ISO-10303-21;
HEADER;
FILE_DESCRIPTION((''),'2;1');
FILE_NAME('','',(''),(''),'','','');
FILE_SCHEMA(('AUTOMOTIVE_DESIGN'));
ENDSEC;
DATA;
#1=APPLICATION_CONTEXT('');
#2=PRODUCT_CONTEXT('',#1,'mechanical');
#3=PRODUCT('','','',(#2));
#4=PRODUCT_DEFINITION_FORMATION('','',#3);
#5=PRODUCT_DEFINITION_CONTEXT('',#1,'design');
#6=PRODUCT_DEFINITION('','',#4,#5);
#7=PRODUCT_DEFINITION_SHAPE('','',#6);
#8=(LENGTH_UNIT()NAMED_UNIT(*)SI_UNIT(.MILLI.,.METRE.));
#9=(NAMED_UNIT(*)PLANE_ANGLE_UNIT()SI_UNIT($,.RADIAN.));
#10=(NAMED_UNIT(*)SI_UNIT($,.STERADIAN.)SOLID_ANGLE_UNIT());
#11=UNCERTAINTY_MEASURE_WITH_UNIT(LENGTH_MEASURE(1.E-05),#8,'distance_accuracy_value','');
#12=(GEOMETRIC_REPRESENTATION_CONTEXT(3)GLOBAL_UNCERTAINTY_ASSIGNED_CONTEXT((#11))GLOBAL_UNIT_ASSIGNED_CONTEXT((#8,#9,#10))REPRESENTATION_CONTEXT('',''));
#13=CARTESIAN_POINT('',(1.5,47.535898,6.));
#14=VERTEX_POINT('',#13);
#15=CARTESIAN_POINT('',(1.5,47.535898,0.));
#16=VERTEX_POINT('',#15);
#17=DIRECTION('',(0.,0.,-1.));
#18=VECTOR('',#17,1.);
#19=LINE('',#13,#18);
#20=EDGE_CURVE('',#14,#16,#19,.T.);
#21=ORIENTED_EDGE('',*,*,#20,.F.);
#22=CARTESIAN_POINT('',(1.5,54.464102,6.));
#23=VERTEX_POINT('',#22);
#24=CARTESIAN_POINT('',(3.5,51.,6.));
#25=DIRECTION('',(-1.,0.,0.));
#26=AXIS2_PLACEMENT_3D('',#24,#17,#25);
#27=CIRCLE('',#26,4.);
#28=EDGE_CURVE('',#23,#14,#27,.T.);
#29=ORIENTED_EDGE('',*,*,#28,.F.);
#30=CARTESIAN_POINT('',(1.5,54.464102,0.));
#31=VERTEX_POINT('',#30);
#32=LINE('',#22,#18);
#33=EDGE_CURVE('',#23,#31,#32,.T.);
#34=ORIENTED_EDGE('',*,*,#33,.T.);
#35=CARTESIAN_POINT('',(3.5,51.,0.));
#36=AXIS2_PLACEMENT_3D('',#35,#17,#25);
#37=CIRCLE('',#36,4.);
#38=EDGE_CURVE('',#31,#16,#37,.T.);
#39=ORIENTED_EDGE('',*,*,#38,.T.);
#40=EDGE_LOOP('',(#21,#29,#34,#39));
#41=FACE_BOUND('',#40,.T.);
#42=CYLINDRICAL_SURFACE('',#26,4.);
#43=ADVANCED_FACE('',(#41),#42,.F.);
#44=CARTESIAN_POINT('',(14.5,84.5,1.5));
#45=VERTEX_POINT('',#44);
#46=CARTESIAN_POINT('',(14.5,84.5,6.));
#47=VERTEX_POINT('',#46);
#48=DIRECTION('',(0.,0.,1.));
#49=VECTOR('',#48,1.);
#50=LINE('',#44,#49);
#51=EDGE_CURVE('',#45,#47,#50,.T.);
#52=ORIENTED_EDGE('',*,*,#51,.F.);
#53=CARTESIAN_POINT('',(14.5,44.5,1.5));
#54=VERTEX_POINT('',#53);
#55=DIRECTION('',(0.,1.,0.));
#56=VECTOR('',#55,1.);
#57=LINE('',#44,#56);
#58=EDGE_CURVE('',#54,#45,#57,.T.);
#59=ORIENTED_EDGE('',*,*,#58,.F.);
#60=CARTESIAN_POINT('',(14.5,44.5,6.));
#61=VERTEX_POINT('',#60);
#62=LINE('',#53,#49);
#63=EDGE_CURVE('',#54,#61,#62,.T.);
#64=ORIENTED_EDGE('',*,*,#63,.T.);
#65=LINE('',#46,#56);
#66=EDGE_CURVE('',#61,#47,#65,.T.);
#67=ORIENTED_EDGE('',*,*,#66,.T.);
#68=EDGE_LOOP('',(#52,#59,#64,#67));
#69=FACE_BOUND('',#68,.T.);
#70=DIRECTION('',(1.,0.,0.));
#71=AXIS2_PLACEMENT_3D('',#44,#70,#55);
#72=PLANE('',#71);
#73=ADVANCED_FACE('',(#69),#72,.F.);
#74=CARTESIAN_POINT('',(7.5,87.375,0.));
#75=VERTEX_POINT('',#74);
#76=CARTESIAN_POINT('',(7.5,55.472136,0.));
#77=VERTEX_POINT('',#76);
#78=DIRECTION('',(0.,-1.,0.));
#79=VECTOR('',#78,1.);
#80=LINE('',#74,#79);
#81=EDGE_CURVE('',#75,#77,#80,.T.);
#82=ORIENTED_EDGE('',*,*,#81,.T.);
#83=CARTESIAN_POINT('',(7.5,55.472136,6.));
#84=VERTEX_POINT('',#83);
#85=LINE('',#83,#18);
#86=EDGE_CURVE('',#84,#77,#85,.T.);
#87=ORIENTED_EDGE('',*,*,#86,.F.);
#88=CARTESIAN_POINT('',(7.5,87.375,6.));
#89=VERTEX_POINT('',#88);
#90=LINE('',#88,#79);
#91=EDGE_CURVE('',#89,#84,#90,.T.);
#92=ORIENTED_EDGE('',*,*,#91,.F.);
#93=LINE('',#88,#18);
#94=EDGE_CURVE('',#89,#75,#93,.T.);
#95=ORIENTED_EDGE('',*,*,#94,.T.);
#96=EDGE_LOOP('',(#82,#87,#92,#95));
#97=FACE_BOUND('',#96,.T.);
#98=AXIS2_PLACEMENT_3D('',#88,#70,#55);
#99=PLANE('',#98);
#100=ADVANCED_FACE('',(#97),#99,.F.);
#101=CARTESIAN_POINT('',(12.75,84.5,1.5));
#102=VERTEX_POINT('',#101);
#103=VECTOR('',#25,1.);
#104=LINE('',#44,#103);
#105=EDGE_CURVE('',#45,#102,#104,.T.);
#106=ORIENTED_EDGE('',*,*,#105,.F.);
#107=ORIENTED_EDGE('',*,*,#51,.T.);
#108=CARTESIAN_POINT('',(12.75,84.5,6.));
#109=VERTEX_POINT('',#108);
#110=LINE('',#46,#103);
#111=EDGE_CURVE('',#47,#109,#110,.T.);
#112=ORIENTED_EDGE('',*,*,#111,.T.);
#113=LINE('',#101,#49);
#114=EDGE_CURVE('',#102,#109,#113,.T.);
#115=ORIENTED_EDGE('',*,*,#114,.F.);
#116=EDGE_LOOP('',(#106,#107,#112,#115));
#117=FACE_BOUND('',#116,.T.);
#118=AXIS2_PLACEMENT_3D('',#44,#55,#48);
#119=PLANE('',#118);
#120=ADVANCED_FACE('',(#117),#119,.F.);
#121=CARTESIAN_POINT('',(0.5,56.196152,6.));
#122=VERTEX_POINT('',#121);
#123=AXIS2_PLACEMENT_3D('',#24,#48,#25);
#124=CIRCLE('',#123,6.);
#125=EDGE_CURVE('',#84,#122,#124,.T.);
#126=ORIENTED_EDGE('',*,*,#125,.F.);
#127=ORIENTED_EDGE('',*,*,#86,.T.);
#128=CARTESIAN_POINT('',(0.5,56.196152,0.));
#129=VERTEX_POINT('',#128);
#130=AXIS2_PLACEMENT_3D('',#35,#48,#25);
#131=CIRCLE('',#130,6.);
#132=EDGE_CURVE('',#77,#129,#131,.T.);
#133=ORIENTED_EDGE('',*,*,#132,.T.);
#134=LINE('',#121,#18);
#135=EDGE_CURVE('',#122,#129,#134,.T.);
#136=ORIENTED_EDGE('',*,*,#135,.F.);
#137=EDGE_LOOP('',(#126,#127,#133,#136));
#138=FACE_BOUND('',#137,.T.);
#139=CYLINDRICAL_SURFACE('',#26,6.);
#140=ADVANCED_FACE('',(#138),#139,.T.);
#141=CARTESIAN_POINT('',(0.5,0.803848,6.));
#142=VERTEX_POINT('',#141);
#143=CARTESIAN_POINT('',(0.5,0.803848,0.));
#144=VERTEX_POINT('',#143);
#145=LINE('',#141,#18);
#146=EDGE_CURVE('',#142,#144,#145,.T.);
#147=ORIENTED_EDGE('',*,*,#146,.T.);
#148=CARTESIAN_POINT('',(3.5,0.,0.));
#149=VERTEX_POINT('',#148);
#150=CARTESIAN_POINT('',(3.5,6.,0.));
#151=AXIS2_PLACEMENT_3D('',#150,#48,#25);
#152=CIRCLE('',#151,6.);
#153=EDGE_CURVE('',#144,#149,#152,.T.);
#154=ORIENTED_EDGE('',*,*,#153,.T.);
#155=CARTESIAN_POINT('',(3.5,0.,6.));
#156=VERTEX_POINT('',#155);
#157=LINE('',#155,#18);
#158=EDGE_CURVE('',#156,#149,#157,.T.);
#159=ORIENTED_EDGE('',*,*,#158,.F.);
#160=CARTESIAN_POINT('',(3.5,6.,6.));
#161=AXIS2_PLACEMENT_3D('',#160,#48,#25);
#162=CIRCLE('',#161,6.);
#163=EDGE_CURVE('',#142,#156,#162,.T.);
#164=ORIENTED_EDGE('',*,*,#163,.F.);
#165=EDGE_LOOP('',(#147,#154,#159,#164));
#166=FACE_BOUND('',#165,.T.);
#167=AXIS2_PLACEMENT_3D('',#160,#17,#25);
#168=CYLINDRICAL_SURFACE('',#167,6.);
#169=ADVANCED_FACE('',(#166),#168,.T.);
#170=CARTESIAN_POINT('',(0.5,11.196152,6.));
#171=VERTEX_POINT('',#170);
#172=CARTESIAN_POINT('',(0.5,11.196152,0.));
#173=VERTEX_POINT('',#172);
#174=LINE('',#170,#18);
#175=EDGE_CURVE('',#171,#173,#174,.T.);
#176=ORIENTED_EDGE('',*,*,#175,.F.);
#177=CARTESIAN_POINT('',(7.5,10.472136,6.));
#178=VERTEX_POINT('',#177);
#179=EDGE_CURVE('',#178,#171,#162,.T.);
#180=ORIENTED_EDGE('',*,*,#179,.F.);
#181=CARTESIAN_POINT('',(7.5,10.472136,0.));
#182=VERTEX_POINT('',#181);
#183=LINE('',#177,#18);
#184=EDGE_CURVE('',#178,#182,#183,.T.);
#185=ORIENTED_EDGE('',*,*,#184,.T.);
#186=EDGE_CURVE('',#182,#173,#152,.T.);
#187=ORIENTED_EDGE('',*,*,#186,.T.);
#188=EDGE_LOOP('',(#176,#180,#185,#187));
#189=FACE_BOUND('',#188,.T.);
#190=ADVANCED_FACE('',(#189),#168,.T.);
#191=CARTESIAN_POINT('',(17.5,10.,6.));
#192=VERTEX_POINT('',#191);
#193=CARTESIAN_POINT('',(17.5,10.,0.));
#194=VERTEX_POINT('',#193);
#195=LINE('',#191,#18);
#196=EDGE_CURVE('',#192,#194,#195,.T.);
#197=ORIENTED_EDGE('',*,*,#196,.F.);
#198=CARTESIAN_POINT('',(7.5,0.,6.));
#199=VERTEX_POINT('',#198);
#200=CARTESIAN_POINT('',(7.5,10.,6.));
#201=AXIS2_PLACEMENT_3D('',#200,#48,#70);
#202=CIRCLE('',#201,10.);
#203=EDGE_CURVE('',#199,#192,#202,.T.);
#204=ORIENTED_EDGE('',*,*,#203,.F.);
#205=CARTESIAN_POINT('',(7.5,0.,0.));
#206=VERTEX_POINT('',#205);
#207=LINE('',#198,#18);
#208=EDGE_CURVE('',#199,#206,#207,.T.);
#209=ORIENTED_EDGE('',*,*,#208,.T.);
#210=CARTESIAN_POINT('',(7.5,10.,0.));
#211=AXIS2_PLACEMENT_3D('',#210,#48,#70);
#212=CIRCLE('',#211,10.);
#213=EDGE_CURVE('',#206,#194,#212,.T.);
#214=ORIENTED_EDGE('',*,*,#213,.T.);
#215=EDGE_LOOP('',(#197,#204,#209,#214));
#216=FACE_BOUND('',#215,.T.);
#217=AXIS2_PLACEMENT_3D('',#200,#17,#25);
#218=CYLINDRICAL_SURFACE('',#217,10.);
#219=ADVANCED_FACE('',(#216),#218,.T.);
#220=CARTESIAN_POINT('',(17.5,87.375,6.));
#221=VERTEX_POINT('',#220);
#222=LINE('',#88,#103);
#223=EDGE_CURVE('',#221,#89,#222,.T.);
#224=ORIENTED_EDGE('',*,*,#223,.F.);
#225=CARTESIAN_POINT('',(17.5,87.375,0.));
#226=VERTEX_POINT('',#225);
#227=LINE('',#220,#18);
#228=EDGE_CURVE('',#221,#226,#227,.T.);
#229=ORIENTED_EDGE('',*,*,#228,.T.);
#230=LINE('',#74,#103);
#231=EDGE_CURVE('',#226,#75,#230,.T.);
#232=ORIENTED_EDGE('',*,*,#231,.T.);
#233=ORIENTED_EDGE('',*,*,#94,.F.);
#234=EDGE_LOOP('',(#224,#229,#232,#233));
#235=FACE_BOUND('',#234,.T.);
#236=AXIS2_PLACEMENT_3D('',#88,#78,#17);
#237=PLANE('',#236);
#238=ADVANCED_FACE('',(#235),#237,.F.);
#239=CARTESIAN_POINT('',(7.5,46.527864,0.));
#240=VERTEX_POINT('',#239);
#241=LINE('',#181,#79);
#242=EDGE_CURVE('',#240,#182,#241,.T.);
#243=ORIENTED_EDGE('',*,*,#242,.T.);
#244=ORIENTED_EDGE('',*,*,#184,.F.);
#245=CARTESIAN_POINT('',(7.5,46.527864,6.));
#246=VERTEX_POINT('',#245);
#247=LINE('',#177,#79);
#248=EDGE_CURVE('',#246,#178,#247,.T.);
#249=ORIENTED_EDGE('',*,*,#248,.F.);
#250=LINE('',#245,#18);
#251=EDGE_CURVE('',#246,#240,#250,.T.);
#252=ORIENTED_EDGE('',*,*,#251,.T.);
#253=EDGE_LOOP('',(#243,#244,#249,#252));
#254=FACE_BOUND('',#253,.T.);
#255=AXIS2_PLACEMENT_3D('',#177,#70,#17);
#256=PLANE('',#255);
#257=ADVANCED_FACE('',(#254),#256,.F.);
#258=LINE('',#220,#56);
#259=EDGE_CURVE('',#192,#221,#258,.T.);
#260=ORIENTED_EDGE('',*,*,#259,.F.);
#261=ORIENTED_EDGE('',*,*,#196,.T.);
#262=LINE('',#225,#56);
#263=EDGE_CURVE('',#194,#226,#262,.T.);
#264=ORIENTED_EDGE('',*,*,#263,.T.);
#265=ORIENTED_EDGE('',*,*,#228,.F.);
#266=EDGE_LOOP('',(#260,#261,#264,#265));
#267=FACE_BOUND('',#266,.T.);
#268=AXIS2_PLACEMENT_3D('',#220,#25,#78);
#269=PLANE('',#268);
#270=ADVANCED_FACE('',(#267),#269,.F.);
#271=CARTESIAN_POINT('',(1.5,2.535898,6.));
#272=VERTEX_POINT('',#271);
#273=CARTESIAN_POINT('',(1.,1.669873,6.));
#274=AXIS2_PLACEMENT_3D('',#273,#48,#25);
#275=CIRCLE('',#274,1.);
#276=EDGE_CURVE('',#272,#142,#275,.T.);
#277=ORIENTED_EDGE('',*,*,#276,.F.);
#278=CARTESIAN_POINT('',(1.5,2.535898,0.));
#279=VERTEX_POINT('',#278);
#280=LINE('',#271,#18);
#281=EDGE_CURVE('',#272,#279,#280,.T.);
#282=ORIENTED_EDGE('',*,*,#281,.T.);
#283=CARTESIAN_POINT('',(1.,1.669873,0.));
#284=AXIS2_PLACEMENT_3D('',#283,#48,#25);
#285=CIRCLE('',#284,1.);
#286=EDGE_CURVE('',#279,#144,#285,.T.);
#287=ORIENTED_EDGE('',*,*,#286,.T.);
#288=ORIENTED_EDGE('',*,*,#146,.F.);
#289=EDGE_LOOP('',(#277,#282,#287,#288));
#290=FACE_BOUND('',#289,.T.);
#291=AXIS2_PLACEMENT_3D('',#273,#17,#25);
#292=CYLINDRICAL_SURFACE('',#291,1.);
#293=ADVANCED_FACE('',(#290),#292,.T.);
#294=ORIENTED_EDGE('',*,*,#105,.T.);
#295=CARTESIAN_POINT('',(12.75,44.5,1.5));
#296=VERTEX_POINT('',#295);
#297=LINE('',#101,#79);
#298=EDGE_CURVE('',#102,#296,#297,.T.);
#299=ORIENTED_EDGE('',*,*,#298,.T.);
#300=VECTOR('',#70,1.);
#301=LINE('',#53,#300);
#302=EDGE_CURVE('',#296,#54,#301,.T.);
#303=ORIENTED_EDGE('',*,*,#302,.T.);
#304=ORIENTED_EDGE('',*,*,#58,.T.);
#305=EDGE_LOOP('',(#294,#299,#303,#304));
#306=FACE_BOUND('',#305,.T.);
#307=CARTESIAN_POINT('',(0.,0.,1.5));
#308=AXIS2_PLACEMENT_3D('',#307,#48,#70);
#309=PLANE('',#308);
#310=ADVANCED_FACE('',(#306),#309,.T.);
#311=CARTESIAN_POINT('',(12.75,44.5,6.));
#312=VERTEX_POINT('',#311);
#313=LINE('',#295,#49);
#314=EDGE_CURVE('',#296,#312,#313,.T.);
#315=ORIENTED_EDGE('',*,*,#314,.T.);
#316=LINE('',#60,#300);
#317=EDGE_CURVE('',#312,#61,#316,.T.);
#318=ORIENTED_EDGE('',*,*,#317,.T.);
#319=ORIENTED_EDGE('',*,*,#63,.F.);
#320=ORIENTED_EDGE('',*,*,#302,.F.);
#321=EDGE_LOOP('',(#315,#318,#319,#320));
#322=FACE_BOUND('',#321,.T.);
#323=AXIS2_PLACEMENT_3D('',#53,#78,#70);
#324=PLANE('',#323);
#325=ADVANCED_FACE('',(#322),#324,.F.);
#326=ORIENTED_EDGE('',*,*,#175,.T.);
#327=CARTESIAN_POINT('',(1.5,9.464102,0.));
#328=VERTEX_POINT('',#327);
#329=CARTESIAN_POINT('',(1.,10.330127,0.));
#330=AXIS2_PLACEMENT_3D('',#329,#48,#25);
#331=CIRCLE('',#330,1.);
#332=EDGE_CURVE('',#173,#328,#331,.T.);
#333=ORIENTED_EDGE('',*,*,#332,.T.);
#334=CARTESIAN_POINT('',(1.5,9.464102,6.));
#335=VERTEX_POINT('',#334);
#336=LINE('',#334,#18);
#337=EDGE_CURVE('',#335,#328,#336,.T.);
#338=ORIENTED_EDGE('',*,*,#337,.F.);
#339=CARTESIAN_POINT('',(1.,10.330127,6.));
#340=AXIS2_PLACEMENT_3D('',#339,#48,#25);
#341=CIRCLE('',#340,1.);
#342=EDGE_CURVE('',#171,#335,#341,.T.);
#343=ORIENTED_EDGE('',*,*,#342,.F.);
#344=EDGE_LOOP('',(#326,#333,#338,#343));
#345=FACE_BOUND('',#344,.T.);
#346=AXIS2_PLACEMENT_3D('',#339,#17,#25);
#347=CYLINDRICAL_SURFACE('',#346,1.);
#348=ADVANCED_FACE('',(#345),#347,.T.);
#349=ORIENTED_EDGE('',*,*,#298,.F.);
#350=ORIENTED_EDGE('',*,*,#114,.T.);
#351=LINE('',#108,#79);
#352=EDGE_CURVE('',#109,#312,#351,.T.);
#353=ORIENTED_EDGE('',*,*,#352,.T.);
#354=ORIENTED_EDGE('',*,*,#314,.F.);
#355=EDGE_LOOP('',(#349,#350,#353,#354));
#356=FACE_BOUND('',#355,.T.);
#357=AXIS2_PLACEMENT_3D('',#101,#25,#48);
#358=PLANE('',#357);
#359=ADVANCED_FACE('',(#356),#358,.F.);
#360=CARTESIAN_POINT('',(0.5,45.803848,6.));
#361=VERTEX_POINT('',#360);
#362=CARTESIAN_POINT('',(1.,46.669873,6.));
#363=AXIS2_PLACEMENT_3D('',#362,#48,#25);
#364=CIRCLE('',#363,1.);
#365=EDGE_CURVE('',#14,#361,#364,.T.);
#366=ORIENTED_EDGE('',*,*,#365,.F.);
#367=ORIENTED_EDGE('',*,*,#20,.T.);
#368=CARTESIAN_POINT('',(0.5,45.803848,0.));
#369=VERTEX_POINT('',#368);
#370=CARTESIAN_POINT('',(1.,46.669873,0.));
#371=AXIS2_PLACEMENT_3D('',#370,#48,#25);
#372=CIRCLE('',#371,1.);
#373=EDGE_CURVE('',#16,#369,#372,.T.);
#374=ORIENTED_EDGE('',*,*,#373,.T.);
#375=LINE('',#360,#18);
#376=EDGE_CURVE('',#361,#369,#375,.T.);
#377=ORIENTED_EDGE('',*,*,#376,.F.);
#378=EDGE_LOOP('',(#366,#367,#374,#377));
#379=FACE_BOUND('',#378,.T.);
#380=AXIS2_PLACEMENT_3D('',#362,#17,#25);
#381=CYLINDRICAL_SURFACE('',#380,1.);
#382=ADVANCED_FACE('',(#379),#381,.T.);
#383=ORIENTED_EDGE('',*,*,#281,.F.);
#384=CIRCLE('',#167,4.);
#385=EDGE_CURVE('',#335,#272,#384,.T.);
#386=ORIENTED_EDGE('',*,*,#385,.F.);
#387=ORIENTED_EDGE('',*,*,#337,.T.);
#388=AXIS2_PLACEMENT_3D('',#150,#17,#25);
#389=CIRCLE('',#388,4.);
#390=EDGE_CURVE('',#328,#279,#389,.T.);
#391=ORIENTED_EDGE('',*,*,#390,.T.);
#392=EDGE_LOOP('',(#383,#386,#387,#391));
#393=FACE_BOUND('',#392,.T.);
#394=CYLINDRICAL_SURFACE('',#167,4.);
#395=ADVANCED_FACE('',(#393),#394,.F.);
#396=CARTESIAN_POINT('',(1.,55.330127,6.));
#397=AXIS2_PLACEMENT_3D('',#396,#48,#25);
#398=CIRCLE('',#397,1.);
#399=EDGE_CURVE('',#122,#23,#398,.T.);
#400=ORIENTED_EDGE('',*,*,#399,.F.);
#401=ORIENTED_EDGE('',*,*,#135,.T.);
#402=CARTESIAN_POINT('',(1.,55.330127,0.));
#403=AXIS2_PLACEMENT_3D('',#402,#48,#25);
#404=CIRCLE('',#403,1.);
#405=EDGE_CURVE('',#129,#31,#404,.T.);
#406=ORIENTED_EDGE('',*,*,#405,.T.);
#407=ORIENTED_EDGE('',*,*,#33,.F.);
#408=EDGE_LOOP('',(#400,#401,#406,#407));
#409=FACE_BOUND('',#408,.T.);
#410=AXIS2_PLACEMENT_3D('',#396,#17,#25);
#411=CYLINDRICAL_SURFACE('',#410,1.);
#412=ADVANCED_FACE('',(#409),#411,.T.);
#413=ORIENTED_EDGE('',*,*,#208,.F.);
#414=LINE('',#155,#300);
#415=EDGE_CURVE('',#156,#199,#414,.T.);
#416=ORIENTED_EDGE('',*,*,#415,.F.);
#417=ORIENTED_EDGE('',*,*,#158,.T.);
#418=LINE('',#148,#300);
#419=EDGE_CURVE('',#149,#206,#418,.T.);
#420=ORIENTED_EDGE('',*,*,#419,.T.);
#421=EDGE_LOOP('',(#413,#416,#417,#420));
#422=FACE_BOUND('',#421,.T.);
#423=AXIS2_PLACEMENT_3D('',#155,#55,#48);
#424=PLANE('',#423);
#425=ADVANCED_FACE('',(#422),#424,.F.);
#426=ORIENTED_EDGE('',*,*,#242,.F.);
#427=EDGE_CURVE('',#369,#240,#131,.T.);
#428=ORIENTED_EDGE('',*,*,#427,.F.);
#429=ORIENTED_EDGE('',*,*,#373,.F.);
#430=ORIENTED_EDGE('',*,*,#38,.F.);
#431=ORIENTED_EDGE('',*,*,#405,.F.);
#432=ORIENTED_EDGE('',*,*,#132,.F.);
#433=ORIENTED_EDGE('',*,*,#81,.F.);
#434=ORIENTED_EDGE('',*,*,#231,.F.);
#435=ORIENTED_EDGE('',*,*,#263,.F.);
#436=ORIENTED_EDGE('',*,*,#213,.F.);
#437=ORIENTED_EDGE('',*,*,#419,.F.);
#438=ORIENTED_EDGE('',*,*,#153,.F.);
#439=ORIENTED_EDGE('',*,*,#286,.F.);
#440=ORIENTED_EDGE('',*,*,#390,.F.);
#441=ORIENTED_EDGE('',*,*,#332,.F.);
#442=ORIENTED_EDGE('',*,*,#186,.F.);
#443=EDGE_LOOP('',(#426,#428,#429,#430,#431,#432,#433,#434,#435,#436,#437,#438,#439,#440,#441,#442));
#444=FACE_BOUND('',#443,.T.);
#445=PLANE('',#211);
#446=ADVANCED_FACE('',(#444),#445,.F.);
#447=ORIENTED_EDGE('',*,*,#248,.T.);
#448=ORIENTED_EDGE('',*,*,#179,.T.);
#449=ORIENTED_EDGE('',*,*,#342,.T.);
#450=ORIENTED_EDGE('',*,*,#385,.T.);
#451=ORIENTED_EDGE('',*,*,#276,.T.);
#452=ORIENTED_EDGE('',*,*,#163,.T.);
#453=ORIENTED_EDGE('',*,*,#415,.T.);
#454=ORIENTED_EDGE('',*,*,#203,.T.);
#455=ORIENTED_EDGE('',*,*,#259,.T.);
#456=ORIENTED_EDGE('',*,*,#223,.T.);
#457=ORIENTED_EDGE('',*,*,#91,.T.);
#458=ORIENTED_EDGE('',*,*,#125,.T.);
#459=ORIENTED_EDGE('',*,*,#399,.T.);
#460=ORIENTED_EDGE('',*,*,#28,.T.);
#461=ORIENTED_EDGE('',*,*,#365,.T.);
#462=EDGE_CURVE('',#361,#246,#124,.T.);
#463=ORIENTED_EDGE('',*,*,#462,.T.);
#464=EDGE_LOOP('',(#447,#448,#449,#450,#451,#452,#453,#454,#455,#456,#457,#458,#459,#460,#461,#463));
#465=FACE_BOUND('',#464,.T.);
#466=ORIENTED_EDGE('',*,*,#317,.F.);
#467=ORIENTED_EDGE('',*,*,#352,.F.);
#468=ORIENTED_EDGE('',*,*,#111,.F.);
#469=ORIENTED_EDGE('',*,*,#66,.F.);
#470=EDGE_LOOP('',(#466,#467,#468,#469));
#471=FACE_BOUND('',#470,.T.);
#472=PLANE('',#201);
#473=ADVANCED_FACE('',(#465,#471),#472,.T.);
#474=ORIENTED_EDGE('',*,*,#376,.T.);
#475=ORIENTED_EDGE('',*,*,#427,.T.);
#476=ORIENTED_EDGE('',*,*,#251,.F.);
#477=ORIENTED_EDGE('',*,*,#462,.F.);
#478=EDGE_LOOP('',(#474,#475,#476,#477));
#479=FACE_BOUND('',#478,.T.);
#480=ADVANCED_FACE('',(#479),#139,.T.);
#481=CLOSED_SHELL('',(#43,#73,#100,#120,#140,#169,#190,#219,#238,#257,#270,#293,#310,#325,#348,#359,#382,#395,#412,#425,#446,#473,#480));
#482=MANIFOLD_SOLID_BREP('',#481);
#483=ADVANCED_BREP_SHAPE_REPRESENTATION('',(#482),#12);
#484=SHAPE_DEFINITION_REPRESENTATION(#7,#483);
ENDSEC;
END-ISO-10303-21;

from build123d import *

# Parameters (mm, degrees)
BOSS_EXTRUDE_BASE_DEPTH = 6
SKETCH4_W               = 1.75
SKETCH4_H               = 40
CUT_EXTRUDE_SLOT_DEPTH  = 4.5


with BuildPart() as part:
    # Sketch1 → Boss-Extrude-Base (new body)
    with BuildSketch(Plane.XY):
        with BuildLine():
            Line((17.5, 87.375), (17.5, 10))
            ThreePointArc((17.5, 10), (14.571067812, 2.928932188), (7.5, 0))
            Line((7.5, 0), (3.5, 0))
            ThreePointArc((3.5, 0), (1.947085729, 0.204445042), (0.5, 0.803847577))
            ThreePointArc((0.5, 0.803847577), (0.133974596, 2.169872981), (1.5, 2.535898385))
            ThreePointArc((1.5, 2.535898385), (7.5, 6), (1.5, 9.464101615))
            ThreePointArc((1.5, 9.464101615), (0.133974596, 9.830127019), (0.5, 11.196152423))
            ThreePointArc((0.5, 11.196152423), (4.117292444, 11.968161362), (7.5, 10.472135955))
            Line((7.5, 10.472135955), (7.5, 46.527864045))
            ThreePointArc((7.5, 46.527864045), (4.117292444, 45.031838638), (0.5, 45.803847577))
            ThreePointArc((0.5, 45.803847577), (0.133974596, 47.169872981), (1.5, 47.535898385))
            ThreePointArc((1.5, 47.535898385), (7.5, 51), (1.5, 54.464101615))
            ThreePointArc((1.5, 54.464101615), (0.133974596, 54.830127019), (0.5, 56.196152423))
            ThreePointArc((0.5, 56.196152423), (4.117292444, 56.968161362), (7.5, 55.472135955))
            Line((7.5, 55.472135955), (7.5, 87.375))
            Line((7.5, 87.375), (17.5, 87.375))
        make_face()
    extrude(amount=BOSS_EXTRUDE_BASE_DEPTH)

    # Sketch4 → Cut-Extrude-Slot (cut)
    with BuildSketch(Plane.XY.offset(6)):
        with Locations((13.625, 64.5)):
            Rectangle(SKETCH4_W, SKETCH4_H)
    extrude(amount=-CUT_EXTRUDE_SLOT_DEPTH, mode=Mode.SUBTRACT)


solid = part.part
